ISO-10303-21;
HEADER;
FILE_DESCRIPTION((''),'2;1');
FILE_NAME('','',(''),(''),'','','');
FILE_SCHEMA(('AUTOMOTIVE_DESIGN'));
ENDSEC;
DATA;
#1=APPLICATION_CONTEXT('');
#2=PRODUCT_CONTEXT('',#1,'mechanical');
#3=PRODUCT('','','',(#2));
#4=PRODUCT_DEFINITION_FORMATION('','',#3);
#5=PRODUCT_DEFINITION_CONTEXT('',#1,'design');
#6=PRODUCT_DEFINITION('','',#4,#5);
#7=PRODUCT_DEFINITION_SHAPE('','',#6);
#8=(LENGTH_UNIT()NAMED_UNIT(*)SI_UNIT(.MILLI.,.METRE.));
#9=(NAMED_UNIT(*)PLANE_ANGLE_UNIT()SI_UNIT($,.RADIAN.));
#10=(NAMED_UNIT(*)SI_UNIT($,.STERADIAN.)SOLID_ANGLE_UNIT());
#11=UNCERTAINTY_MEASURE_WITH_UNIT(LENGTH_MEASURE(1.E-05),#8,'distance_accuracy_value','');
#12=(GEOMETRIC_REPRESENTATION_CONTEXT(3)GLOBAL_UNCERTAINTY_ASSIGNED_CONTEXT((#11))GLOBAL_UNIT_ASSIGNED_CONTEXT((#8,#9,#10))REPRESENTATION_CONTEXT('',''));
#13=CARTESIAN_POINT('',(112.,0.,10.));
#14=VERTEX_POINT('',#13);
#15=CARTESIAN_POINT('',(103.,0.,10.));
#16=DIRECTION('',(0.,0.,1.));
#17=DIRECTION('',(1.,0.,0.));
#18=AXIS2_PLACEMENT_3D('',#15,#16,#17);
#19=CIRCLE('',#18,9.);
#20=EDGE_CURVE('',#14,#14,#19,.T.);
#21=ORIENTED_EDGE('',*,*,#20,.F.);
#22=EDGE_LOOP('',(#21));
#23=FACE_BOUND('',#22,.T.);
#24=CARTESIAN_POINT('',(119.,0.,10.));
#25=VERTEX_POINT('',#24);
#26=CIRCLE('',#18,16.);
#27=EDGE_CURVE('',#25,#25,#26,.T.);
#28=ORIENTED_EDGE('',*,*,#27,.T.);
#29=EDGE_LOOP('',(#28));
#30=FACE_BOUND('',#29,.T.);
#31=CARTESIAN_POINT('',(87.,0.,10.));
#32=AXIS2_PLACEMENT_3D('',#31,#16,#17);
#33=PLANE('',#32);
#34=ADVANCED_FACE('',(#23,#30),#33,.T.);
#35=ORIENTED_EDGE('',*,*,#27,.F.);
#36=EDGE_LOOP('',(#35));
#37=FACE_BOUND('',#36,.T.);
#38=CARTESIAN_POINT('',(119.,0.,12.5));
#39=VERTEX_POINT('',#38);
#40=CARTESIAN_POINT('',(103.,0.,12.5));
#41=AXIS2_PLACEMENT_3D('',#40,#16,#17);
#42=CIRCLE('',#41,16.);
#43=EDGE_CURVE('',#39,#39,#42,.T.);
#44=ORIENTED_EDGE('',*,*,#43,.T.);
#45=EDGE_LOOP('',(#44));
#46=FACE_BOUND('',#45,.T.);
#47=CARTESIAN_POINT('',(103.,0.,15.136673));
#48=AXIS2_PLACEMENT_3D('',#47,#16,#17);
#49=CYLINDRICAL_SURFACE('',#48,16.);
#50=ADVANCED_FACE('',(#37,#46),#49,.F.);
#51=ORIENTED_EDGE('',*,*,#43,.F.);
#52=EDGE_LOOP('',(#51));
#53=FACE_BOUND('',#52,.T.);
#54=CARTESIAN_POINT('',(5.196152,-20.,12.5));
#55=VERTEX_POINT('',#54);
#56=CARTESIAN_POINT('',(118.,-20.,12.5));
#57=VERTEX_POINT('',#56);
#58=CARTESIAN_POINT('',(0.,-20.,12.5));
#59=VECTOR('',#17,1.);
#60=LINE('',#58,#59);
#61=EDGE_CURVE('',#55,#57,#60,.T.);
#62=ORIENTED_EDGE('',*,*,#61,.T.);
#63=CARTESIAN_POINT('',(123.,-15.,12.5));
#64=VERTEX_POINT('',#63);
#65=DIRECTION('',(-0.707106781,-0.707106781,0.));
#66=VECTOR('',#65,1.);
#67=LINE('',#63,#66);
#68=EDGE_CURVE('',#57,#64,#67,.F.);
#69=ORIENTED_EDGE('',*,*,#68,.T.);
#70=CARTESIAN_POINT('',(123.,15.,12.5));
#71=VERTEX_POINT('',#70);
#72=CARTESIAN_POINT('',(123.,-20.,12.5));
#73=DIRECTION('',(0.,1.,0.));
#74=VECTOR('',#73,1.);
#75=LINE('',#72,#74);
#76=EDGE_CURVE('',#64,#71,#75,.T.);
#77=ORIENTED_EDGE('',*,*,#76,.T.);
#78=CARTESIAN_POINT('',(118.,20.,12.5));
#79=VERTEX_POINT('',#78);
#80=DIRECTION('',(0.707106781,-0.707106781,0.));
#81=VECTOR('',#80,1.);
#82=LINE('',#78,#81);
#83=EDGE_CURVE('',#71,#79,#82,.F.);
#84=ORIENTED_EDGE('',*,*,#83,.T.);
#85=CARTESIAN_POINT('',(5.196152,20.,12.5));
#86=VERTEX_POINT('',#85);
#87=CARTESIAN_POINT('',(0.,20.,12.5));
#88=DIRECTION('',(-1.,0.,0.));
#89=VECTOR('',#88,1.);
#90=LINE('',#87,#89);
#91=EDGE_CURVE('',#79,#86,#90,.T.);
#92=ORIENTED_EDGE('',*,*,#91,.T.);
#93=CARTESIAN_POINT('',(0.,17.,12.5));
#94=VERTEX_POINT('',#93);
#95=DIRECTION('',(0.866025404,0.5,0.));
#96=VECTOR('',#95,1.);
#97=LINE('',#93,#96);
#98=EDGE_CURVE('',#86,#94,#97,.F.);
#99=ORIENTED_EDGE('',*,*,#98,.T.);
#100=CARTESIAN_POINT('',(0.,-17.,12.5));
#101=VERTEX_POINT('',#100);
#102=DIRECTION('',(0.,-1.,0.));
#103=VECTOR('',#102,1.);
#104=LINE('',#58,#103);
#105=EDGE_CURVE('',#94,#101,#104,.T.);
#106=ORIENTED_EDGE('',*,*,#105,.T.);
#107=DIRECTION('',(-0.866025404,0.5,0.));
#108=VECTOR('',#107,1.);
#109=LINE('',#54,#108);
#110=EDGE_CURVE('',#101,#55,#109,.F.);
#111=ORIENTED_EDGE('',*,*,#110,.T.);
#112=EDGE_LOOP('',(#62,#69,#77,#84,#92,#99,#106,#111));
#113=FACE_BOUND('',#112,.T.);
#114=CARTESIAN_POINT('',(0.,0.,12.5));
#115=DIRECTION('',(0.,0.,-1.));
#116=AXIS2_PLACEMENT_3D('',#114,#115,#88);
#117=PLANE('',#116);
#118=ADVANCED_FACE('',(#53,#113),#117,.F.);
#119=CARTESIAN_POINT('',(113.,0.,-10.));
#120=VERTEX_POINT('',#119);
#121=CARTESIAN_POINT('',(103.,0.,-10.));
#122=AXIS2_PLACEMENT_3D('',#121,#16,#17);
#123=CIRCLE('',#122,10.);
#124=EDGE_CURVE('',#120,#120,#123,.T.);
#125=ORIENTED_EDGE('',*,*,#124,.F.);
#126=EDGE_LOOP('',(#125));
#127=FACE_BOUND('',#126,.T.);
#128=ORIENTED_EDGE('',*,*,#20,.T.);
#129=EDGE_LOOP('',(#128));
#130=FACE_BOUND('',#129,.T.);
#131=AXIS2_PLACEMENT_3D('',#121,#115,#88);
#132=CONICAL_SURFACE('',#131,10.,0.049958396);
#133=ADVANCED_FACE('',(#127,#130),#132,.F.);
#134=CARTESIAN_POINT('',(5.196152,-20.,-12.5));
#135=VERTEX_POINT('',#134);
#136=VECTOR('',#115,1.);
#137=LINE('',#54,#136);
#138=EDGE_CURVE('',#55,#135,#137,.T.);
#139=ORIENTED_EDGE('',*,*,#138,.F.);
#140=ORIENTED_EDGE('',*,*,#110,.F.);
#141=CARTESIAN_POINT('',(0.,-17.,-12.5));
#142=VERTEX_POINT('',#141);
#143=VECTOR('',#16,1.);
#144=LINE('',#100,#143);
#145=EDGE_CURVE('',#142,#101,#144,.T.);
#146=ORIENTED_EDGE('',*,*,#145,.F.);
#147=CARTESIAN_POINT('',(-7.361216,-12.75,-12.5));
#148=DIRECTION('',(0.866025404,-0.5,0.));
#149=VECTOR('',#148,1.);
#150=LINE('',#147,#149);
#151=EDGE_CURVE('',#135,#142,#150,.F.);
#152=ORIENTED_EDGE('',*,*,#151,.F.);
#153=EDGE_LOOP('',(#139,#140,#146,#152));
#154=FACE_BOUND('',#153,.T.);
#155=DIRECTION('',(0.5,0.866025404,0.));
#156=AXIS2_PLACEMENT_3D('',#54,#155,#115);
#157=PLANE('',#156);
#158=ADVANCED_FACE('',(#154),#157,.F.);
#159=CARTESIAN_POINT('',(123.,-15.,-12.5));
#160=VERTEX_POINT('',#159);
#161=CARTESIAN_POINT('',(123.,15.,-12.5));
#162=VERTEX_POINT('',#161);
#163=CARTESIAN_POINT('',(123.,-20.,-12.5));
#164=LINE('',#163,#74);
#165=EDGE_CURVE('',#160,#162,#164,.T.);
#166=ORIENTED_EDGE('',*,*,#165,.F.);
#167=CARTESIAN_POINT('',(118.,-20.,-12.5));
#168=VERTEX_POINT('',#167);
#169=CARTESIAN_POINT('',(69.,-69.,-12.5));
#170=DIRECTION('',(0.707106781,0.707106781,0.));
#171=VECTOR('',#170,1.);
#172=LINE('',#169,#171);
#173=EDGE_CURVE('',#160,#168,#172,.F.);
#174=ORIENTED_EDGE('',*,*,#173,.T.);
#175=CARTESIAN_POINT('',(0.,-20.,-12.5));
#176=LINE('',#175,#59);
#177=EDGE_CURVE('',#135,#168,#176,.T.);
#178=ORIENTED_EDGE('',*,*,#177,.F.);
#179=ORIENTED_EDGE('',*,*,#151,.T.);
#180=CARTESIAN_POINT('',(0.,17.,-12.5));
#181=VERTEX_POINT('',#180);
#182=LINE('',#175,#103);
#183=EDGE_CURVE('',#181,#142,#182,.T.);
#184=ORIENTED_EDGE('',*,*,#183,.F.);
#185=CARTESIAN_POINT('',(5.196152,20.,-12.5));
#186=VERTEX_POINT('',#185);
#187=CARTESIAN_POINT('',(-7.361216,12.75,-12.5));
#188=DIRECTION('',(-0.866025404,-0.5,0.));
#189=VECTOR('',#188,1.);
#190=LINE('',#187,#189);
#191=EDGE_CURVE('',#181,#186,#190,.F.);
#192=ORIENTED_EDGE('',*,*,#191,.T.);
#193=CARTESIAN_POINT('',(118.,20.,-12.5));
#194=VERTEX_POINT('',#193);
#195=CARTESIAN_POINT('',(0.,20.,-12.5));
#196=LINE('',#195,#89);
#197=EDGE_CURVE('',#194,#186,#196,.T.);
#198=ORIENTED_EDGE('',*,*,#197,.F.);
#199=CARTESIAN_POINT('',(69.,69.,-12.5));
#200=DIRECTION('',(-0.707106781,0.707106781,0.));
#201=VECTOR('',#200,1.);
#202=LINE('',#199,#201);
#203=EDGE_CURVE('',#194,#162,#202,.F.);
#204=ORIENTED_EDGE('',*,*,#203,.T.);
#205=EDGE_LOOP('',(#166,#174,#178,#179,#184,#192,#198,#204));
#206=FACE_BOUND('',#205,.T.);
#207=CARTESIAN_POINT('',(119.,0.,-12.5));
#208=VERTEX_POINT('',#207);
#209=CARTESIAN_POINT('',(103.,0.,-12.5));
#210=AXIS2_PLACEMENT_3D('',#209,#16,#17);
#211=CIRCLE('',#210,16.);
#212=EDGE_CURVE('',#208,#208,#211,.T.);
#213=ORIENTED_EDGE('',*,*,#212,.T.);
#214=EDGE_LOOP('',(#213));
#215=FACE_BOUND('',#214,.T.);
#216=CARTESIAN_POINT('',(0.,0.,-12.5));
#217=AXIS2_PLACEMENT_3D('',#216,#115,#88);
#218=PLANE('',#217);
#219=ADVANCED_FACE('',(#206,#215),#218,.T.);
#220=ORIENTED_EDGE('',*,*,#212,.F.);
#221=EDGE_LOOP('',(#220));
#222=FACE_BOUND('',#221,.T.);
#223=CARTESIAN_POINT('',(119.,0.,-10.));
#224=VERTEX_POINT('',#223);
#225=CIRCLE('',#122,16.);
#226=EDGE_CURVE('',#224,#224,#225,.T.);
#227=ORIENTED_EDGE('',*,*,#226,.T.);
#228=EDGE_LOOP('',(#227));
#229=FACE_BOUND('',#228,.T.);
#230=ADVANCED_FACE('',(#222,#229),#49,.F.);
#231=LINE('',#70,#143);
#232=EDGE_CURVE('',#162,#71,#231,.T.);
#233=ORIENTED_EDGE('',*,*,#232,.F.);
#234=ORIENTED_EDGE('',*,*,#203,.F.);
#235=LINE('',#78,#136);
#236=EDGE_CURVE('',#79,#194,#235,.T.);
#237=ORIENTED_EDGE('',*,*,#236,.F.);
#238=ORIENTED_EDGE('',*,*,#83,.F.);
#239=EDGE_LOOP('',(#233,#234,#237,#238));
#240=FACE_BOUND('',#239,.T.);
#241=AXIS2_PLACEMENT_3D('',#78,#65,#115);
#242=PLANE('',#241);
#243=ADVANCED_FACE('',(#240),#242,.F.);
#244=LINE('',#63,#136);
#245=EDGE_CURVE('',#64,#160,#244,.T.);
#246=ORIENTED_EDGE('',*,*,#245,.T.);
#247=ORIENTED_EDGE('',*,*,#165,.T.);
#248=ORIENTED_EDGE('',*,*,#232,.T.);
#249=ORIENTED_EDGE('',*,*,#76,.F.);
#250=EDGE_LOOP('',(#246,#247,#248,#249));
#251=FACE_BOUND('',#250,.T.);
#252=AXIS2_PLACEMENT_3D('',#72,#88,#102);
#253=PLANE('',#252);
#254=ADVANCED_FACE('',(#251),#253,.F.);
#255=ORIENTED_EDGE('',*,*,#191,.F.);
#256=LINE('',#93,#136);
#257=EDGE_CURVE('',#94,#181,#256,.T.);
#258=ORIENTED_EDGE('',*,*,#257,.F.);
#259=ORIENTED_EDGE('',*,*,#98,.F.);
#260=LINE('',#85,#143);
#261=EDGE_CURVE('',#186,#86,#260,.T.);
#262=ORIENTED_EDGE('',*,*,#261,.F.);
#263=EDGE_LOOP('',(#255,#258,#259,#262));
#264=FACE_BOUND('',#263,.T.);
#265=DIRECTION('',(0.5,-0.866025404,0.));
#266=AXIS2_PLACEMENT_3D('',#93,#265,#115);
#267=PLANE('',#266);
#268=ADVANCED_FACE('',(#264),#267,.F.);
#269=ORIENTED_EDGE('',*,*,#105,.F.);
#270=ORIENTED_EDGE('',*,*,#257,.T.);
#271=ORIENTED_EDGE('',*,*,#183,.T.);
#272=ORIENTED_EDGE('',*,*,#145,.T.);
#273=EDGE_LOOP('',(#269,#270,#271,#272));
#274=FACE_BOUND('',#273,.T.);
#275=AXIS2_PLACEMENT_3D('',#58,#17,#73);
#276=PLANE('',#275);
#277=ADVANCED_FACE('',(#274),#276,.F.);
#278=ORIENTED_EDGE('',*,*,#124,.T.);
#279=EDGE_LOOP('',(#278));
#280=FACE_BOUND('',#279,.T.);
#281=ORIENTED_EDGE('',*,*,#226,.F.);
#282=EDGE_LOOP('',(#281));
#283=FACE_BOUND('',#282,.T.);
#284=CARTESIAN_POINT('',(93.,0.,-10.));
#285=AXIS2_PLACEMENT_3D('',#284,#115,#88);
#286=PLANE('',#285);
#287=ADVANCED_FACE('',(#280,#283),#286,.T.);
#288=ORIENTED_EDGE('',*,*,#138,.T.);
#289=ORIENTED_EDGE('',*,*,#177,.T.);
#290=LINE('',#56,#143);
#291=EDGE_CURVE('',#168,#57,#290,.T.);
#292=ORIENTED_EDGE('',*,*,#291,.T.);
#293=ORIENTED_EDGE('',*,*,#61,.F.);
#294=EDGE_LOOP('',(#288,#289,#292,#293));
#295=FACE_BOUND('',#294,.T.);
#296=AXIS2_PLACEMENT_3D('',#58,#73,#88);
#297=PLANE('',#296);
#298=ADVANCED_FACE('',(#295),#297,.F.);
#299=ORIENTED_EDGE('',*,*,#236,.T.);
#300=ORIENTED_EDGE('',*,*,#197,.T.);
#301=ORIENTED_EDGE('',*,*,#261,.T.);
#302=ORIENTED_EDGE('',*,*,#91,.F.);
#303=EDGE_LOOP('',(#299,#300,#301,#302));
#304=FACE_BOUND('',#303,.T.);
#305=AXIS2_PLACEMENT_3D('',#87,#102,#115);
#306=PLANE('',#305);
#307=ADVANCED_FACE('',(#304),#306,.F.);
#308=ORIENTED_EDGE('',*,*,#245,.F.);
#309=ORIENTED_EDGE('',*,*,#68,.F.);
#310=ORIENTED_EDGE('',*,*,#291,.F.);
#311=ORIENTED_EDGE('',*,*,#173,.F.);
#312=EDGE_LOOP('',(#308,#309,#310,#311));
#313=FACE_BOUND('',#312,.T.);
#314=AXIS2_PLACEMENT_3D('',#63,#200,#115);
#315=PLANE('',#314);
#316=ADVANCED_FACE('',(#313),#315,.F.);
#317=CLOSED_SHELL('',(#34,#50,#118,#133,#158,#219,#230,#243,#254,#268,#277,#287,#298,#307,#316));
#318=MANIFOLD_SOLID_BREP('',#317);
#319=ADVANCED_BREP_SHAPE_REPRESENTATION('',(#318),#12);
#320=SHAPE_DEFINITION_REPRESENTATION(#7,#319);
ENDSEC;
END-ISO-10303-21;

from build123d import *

# Parameters (mm, degrees)
SKIZZE1_W                       = 123
SKIZZE1_H                       = 40
AUFSATZ_LINEAR_AUSTRAGEN1_DEPTH = 12.5
FASE_3X60_SIZE                  = 3
FASE_3X60_SIZE2                 = 5.196152423
FASE_5X45_SIZE                  = 5


with BuildPart() as part:
    # Skizze1 → Aufsatz-Linear austragen1 (new body, symmetric)
    with BuildSketch(Plane.XY):
        with Locations((61.5, 0)):
            Rectangle(SKIZZE1_W, SKIZZE1_H)
    extrude(amount=AUFSATZ_LINEAR_AUSTRAGEN1_DEPTH, both=True)

    # Skizze2 → Bohrung_Kegel 1_10 (revolve, cut)
    with BuildSketch(Plane(origin=(0, 0, 0), x_dir=(1, 0, 0), z_dir=(0, 1, 0)), mode=Mode.PRIVATE) as bohrung_kegel_1_10_sk:
        Polygon((103, -12.5), (87, -12.5), (87, -10), (94, -10), (93, 10), (87, 10), (87, 12.5), (103, 12.5), align=None)
    revolve(bohrung_kegel_1_10_sk.sketch.rotate(Axis((103, 0, 15.136672695), (0, 0, -1)), 180), axis=Axis((103, 0, 15.136672695), (0, 0, -1)), mode=Mode.SUBTRACT)  # turned: the seam where the file's is

    # Fase 3x60
    fase_3x60_edges = [part.edges().sort_by_distance(p)[0] for p in [
        (0, 20, 0),
        (0, -20, 0),
    ]]
    fase_3x60_side = [part.faces().sort_by_distance(p)[0] for p in [
        (0, 0, 0),
    ]]
    chamfer(fase_3x60_edges, length=FASE_3X60_SIZE, length2=FASE_3X60_SIZE2, reference=fase_3x60_side[0])

    # Fase 5x45
    fase_5x45_edges = [part.edges().sort_by_distance(p)[0] for p in [
        (123, 20, 0),
        (123, -20, 0),
    ]]
    chamfer(fase_5x45_edges, length=FASE_5X45_SIZE)


solid = part.part
